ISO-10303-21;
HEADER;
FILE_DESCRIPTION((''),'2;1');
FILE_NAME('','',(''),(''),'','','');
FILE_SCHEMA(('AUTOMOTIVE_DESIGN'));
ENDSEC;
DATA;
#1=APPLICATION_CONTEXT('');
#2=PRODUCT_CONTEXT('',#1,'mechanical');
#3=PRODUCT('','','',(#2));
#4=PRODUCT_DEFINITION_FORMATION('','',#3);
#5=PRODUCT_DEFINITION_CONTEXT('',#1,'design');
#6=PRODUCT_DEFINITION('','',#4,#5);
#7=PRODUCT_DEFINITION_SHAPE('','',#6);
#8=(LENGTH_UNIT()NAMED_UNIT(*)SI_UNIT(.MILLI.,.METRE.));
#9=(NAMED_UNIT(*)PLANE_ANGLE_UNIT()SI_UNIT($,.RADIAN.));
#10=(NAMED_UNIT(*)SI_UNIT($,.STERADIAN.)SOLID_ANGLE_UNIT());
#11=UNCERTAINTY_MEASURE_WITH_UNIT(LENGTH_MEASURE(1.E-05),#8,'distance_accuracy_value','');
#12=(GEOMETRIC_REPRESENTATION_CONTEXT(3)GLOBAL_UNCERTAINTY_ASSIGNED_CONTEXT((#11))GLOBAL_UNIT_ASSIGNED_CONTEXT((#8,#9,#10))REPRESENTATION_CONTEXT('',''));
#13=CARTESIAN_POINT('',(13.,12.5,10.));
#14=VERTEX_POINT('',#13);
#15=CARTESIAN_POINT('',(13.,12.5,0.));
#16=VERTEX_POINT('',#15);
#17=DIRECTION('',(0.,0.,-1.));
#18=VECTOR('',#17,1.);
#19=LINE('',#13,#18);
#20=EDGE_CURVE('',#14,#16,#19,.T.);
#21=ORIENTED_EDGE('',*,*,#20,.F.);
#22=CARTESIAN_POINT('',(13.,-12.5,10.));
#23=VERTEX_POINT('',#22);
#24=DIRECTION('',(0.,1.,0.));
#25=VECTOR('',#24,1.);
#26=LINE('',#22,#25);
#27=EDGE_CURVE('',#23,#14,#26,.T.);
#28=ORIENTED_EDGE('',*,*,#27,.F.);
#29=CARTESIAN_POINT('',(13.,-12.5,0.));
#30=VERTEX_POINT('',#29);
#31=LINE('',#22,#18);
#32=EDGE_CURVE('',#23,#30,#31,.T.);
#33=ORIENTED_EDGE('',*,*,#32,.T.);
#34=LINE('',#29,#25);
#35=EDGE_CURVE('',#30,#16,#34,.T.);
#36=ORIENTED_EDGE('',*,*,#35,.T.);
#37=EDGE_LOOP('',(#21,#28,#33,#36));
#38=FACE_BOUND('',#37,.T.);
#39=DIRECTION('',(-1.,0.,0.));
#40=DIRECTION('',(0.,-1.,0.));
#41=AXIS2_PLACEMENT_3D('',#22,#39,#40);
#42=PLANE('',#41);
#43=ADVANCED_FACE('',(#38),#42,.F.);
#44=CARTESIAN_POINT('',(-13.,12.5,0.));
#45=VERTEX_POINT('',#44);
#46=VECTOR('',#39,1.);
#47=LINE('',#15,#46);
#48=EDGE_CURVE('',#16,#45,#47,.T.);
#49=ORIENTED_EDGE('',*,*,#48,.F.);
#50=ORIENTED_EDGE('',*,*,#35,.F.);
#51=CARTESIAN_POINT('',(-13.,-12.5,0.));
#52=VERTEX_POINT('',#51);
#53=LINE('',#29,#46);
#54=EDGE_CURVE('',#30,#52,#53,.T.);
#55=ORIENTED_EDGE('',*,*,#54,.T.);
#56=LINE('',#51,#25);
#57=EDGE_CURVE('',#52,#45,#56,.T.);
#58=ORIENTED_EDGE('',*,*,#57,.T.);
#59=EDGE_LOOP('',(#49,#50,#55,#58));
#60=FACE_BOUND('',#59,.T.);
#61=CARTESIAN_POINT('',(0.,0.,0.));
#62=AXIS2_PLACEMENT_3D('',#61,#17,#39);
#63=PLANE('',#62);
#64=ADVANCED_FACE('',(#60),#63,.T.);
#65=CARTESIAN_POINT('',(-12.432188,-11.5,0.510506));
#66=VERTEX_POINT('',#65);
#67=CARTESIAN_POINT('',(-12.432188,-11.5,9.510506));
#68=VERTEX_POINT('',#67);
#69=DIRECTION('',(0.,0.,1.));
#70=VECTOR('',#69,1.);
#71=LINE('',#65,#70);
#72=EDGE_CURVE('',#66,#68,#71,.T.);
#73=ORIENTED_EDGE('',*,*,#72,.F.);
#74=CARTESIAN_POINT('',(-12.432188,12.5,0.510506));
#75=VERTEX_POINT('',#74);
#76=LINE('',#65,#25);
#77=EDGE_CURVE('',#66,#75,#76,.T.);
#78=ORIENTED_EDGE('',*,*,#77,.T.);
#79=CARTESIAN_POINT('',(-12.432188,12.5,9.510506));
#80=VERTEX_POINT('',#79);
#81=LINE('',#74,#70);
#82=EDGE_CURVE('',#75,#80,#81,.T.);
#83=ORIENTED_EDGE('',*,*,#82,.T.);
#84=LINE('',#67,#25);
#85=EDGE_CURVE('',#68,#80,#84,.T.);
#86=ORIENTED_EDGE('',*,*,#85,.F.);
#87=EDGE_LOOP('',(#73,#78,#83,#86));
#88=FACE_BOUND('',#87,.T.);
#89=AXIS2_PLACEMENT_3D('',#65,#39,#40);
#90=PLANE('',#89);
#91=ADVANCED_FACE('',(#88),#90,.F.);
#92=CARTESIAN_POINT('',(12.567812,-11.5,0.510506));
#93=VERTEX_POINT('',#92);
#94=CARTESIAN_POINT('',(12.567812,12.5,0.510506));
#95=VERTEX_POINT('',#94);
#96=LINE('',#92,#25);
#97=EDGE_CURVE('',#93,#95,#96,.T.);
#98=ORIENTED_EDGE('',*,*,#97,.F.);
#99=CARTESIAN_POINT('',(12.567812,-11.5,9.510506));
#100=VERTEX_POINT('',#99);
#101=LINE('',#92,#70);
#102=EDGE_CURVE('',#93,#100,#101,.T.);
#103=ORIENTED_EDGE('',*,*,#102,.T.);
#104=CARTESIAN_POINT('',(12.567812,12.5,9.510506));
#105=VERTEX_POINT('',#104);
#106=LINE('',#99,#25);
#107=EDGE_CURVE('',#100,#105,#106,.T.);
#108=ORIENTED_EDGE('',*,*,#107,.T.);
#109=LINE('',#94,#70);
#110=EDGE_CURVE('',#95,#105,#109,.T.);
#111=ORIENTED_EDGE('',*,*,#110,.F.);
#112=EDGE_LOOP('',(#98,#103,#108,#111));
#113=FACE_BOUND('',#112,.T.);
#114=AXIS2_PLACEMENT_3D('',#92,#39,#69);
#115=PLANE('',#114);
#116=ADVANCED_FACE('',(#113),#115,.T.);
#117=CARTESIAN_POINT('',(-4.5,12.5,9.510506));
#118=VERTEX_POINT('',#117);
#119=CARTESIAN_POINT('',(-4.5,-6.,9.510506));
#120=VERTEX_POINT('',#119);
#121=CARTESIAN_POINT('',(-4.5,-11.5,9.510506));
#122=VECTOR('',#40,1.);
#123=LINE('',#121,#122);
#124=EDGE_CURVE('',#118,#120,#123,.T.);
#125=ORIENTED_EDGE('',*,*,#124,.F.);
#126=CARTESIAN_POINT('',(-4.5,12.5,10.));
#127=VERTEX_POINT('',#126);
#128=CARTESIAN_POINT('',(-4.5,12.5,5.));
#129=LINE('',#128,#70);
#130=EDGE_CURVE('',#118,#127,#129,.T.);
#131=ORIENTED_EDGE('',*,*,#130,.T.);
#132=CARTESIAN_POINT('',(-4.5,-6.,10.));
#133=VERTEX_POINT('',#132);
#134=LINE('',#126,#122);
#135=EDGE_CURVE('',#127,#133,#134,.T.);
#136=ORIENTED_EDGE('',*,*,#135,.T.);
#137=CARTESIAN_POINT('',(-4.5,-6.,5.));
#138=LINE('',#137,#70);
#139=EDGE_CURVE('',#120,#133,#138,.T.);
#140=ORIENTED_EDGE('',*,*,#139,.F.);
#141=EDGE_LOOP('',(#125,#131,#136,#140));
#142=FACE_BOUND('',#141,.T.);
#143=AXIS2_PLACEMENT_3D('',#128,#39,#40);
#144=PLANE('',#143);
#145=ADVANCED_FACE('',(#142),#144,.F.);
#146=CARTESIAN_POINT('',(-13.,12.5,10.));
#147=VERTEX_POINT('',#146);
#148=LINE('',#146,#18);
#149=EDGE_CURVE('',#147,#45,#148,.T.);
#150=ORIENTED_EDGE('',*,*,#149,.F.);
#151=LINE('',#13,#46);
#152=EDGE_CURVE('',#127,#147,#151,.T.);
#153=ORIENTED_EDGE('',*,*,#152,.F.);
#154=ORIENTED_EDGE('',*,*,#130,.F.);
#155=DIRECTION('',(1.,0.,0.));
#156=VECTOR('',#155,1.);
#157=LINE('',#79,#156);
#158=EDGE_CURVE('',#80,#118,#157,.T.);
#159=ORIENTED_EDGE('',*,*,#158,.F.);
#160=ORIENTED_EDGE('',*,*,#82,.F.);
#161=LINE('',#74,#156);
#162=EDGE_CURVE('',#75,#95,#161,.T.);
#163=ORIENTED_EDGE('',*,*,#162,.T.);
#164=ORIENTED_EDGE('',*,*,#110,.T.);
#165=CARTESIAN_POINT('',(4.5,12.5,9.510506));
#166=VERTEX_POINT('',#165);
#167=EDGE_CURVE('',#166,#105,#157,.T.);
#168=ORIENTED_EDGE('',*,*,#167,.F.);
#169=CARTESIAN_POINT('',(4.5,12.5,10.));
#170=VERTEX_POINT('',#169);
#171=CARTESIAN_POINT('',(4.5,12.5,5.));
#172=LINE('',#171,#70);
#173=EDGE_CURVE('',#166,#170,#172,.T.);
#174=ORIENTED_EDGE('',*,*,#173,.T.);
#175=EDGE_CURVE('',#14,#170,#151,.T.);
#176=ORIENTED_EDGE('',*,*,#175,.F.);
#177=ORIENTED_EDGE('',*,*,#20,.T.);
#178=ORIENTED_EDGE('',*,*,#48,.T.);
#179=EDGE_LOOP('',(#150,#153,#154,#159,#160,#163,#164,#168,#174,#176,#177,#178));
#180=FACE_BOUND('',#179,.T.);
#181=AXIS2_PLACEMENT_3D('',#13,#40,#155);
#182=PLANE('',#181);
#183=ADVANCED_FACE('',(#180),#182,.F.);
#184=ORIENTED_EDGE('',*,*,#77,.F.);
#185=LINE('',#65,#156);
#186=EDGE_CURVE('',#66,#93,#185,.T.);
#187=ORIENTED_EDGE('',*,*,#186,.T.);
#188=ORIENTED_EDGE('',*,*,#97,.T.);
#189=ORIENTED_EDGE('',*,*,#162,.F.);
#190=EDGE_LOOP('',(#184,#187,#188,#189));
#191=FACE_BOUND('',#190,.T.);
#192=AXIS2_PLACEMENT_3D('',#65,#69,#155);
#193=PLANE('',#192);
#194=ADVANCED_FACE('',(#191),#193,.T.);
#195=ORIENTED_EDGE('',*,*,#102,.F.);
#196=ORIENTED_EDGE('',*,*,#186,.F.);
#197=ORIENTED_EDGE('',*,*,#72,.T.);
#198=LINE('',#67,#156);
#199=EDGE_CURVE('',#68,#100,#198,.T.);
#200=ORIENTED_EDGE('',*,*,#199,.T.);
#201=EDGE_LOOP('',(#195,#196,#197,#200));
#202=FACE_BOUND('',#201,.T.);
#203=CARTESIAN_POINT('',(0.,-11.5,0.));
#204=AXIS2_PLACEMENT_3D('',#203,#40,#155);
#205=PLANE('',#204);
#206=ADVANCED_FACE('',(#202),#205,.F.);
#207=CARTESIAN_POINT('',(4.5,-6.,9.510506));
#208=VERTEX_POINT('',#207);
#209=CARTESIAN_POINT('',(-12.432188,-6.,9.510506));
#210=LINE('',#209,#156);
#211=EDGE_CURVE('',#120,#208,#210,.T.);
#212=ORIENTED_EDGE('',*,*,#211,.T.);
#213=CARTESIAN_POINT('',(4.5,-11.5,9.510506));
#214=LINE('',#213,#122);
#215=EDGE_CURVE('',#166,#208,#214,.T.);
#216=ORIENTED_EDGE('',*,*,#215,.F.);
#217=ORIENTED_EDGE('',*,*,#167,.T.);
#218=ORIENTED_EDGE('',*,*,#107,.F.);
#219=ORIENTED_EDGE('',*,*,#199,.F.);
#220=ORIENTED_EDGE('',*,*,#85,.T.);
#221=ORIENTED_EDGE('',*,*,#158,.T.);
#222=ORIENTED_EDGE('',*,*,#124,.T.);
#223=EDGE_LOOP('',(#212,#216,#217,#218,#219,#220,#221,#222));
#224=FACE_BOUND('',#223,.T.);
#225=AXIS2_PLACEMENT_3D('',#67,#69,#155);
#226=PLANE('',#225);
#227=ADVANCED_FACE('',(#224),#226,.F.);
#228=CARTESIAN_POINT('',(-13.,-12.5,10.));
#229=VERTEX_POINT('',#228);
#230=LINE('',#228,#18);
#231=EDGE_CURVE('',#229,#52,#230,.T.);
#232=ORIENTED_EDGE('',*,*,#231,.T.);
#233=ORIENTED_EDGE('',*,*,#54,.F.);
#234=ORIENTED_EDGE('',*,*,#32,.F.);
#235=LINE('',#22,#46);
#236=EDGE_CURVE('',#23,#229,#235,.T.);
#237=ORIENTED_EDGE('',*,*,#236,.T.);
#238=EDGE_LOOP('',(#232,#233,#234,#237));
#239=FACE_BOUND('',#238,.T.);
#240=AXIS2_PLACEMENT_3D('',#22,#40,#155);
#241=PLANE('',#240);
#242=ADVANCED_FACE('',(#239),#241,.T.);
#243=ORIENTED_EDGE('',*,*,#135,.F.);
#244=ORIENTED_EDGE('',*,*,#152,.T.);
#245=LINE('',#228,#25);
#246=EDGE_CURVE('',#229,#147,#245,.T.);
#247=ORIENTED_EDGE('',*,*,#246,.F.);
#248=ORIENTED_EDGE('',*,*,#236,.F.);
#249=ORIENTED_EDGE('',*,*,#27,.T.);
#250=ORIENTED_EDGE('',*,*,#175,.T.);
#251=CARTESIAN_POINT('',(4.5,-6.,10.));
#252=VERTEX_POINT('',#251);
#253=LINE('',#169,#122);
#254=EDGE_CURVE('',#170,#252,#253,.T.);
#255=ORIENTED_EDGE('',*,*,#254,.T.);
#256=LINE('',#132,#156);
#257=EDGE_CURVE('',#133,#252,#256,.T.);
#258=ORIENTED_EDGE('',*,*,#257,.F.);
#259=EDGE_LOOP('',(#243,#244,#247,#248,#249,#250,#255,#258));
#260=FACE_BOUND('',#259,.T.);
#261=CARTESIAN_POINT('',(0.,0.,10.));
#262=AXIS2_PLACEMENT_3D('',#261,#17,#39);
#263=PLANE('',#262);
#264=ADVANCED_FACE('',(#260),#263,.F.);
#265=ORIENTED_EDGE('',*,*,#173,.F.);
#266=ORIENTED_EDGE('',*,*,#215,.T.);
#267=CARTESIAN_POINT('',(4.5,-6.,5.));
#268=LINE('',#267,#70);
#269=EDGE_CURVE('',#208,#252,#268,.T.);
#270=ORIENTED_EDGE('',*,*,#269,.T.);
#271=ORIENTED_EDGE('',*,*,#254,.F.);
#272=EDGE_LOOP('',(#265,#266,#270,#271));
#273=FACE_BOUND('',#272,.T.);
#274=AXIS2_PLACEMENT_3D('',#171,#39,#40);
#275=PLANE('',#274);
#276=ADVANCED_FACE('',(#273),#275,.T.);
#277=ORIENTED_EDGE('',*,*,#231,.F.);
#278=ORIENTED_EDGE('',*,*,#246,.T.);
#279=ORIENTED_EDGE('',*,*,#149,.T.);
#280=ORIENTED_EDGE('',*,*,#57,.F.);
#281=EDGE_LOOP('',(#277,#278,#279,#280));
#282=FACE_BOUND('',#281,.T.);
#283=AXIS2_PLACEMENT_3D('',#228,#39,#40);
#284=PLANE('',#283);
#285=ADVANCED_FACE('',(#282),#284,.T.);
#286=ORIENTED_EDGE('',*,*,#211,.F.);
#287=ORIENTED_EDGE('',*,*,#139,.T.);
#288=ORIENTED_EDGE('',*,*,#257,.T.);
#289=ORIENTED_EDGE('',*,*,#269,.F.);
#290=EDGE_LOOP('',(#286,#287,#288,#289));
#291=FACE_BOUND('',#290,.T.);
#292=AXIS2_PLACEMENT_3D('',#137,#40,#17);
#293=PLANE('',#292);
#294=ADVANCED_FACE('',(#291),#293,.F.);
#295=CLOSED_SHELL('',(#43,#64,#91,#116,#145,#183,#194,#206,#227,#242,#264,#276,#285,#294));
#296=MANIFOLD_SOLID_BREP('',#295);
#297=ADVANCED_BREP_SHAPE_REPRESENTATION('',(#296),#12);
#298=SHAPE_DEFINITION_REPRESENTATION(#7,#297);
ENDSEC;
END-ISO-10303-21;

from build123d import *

# Parameters (mm, degrees)
SKETCH1_W           = 26
SKETCH1_H           = 25
BOSS_EXTRUDE1_DEPTH = 10
SKETCH2_W           = 25
SKETCH2_H           = 9
CUT_EXTRUDE1_DEPTH  = 24
SKETCH3_W           = 9
SKETCH3_H           = 18.5
CUT_EXTRUDE2_DEPTH  = 5


with BuildPart() as part:
    # Sketch1 → Boss-Extrude1 (new body)
    with BuildSketch(Plane.XY):
        Rectangle(SKETCH1_W, SKETCH1_H)
    extrude(amount=BOSS_EXTRUDE1_DEPTH)

    # Sketch2 → Cut-Extrude1 (cut)
    with BuildSketch(Plane(origin=(0, 12.5, 0), x_dir=(1, 0, 0), z_dir=(0, 1, 0))):
        with Locations((0.067812243, -5.010506078)):
            Rectangle(SKETCH2_W, SKETCH2_H)
    extrude(amount=-CUT_EXTRUDE1_DEPTH, mode=Mode.SUBTRACT)

    # Sketch3 → Cut-Extrude2 (cut)
    with BuildSketch(Plane.XY.offset(10)):
        with Locations((0, 3.25)):
            Rectangle(SKETCH3_W, SKETCH3_H)
    extrude(amount=-CUT_EXTRUDE2_DEPTH, mode=Mode.SUBTRACT)


solid = part.part
